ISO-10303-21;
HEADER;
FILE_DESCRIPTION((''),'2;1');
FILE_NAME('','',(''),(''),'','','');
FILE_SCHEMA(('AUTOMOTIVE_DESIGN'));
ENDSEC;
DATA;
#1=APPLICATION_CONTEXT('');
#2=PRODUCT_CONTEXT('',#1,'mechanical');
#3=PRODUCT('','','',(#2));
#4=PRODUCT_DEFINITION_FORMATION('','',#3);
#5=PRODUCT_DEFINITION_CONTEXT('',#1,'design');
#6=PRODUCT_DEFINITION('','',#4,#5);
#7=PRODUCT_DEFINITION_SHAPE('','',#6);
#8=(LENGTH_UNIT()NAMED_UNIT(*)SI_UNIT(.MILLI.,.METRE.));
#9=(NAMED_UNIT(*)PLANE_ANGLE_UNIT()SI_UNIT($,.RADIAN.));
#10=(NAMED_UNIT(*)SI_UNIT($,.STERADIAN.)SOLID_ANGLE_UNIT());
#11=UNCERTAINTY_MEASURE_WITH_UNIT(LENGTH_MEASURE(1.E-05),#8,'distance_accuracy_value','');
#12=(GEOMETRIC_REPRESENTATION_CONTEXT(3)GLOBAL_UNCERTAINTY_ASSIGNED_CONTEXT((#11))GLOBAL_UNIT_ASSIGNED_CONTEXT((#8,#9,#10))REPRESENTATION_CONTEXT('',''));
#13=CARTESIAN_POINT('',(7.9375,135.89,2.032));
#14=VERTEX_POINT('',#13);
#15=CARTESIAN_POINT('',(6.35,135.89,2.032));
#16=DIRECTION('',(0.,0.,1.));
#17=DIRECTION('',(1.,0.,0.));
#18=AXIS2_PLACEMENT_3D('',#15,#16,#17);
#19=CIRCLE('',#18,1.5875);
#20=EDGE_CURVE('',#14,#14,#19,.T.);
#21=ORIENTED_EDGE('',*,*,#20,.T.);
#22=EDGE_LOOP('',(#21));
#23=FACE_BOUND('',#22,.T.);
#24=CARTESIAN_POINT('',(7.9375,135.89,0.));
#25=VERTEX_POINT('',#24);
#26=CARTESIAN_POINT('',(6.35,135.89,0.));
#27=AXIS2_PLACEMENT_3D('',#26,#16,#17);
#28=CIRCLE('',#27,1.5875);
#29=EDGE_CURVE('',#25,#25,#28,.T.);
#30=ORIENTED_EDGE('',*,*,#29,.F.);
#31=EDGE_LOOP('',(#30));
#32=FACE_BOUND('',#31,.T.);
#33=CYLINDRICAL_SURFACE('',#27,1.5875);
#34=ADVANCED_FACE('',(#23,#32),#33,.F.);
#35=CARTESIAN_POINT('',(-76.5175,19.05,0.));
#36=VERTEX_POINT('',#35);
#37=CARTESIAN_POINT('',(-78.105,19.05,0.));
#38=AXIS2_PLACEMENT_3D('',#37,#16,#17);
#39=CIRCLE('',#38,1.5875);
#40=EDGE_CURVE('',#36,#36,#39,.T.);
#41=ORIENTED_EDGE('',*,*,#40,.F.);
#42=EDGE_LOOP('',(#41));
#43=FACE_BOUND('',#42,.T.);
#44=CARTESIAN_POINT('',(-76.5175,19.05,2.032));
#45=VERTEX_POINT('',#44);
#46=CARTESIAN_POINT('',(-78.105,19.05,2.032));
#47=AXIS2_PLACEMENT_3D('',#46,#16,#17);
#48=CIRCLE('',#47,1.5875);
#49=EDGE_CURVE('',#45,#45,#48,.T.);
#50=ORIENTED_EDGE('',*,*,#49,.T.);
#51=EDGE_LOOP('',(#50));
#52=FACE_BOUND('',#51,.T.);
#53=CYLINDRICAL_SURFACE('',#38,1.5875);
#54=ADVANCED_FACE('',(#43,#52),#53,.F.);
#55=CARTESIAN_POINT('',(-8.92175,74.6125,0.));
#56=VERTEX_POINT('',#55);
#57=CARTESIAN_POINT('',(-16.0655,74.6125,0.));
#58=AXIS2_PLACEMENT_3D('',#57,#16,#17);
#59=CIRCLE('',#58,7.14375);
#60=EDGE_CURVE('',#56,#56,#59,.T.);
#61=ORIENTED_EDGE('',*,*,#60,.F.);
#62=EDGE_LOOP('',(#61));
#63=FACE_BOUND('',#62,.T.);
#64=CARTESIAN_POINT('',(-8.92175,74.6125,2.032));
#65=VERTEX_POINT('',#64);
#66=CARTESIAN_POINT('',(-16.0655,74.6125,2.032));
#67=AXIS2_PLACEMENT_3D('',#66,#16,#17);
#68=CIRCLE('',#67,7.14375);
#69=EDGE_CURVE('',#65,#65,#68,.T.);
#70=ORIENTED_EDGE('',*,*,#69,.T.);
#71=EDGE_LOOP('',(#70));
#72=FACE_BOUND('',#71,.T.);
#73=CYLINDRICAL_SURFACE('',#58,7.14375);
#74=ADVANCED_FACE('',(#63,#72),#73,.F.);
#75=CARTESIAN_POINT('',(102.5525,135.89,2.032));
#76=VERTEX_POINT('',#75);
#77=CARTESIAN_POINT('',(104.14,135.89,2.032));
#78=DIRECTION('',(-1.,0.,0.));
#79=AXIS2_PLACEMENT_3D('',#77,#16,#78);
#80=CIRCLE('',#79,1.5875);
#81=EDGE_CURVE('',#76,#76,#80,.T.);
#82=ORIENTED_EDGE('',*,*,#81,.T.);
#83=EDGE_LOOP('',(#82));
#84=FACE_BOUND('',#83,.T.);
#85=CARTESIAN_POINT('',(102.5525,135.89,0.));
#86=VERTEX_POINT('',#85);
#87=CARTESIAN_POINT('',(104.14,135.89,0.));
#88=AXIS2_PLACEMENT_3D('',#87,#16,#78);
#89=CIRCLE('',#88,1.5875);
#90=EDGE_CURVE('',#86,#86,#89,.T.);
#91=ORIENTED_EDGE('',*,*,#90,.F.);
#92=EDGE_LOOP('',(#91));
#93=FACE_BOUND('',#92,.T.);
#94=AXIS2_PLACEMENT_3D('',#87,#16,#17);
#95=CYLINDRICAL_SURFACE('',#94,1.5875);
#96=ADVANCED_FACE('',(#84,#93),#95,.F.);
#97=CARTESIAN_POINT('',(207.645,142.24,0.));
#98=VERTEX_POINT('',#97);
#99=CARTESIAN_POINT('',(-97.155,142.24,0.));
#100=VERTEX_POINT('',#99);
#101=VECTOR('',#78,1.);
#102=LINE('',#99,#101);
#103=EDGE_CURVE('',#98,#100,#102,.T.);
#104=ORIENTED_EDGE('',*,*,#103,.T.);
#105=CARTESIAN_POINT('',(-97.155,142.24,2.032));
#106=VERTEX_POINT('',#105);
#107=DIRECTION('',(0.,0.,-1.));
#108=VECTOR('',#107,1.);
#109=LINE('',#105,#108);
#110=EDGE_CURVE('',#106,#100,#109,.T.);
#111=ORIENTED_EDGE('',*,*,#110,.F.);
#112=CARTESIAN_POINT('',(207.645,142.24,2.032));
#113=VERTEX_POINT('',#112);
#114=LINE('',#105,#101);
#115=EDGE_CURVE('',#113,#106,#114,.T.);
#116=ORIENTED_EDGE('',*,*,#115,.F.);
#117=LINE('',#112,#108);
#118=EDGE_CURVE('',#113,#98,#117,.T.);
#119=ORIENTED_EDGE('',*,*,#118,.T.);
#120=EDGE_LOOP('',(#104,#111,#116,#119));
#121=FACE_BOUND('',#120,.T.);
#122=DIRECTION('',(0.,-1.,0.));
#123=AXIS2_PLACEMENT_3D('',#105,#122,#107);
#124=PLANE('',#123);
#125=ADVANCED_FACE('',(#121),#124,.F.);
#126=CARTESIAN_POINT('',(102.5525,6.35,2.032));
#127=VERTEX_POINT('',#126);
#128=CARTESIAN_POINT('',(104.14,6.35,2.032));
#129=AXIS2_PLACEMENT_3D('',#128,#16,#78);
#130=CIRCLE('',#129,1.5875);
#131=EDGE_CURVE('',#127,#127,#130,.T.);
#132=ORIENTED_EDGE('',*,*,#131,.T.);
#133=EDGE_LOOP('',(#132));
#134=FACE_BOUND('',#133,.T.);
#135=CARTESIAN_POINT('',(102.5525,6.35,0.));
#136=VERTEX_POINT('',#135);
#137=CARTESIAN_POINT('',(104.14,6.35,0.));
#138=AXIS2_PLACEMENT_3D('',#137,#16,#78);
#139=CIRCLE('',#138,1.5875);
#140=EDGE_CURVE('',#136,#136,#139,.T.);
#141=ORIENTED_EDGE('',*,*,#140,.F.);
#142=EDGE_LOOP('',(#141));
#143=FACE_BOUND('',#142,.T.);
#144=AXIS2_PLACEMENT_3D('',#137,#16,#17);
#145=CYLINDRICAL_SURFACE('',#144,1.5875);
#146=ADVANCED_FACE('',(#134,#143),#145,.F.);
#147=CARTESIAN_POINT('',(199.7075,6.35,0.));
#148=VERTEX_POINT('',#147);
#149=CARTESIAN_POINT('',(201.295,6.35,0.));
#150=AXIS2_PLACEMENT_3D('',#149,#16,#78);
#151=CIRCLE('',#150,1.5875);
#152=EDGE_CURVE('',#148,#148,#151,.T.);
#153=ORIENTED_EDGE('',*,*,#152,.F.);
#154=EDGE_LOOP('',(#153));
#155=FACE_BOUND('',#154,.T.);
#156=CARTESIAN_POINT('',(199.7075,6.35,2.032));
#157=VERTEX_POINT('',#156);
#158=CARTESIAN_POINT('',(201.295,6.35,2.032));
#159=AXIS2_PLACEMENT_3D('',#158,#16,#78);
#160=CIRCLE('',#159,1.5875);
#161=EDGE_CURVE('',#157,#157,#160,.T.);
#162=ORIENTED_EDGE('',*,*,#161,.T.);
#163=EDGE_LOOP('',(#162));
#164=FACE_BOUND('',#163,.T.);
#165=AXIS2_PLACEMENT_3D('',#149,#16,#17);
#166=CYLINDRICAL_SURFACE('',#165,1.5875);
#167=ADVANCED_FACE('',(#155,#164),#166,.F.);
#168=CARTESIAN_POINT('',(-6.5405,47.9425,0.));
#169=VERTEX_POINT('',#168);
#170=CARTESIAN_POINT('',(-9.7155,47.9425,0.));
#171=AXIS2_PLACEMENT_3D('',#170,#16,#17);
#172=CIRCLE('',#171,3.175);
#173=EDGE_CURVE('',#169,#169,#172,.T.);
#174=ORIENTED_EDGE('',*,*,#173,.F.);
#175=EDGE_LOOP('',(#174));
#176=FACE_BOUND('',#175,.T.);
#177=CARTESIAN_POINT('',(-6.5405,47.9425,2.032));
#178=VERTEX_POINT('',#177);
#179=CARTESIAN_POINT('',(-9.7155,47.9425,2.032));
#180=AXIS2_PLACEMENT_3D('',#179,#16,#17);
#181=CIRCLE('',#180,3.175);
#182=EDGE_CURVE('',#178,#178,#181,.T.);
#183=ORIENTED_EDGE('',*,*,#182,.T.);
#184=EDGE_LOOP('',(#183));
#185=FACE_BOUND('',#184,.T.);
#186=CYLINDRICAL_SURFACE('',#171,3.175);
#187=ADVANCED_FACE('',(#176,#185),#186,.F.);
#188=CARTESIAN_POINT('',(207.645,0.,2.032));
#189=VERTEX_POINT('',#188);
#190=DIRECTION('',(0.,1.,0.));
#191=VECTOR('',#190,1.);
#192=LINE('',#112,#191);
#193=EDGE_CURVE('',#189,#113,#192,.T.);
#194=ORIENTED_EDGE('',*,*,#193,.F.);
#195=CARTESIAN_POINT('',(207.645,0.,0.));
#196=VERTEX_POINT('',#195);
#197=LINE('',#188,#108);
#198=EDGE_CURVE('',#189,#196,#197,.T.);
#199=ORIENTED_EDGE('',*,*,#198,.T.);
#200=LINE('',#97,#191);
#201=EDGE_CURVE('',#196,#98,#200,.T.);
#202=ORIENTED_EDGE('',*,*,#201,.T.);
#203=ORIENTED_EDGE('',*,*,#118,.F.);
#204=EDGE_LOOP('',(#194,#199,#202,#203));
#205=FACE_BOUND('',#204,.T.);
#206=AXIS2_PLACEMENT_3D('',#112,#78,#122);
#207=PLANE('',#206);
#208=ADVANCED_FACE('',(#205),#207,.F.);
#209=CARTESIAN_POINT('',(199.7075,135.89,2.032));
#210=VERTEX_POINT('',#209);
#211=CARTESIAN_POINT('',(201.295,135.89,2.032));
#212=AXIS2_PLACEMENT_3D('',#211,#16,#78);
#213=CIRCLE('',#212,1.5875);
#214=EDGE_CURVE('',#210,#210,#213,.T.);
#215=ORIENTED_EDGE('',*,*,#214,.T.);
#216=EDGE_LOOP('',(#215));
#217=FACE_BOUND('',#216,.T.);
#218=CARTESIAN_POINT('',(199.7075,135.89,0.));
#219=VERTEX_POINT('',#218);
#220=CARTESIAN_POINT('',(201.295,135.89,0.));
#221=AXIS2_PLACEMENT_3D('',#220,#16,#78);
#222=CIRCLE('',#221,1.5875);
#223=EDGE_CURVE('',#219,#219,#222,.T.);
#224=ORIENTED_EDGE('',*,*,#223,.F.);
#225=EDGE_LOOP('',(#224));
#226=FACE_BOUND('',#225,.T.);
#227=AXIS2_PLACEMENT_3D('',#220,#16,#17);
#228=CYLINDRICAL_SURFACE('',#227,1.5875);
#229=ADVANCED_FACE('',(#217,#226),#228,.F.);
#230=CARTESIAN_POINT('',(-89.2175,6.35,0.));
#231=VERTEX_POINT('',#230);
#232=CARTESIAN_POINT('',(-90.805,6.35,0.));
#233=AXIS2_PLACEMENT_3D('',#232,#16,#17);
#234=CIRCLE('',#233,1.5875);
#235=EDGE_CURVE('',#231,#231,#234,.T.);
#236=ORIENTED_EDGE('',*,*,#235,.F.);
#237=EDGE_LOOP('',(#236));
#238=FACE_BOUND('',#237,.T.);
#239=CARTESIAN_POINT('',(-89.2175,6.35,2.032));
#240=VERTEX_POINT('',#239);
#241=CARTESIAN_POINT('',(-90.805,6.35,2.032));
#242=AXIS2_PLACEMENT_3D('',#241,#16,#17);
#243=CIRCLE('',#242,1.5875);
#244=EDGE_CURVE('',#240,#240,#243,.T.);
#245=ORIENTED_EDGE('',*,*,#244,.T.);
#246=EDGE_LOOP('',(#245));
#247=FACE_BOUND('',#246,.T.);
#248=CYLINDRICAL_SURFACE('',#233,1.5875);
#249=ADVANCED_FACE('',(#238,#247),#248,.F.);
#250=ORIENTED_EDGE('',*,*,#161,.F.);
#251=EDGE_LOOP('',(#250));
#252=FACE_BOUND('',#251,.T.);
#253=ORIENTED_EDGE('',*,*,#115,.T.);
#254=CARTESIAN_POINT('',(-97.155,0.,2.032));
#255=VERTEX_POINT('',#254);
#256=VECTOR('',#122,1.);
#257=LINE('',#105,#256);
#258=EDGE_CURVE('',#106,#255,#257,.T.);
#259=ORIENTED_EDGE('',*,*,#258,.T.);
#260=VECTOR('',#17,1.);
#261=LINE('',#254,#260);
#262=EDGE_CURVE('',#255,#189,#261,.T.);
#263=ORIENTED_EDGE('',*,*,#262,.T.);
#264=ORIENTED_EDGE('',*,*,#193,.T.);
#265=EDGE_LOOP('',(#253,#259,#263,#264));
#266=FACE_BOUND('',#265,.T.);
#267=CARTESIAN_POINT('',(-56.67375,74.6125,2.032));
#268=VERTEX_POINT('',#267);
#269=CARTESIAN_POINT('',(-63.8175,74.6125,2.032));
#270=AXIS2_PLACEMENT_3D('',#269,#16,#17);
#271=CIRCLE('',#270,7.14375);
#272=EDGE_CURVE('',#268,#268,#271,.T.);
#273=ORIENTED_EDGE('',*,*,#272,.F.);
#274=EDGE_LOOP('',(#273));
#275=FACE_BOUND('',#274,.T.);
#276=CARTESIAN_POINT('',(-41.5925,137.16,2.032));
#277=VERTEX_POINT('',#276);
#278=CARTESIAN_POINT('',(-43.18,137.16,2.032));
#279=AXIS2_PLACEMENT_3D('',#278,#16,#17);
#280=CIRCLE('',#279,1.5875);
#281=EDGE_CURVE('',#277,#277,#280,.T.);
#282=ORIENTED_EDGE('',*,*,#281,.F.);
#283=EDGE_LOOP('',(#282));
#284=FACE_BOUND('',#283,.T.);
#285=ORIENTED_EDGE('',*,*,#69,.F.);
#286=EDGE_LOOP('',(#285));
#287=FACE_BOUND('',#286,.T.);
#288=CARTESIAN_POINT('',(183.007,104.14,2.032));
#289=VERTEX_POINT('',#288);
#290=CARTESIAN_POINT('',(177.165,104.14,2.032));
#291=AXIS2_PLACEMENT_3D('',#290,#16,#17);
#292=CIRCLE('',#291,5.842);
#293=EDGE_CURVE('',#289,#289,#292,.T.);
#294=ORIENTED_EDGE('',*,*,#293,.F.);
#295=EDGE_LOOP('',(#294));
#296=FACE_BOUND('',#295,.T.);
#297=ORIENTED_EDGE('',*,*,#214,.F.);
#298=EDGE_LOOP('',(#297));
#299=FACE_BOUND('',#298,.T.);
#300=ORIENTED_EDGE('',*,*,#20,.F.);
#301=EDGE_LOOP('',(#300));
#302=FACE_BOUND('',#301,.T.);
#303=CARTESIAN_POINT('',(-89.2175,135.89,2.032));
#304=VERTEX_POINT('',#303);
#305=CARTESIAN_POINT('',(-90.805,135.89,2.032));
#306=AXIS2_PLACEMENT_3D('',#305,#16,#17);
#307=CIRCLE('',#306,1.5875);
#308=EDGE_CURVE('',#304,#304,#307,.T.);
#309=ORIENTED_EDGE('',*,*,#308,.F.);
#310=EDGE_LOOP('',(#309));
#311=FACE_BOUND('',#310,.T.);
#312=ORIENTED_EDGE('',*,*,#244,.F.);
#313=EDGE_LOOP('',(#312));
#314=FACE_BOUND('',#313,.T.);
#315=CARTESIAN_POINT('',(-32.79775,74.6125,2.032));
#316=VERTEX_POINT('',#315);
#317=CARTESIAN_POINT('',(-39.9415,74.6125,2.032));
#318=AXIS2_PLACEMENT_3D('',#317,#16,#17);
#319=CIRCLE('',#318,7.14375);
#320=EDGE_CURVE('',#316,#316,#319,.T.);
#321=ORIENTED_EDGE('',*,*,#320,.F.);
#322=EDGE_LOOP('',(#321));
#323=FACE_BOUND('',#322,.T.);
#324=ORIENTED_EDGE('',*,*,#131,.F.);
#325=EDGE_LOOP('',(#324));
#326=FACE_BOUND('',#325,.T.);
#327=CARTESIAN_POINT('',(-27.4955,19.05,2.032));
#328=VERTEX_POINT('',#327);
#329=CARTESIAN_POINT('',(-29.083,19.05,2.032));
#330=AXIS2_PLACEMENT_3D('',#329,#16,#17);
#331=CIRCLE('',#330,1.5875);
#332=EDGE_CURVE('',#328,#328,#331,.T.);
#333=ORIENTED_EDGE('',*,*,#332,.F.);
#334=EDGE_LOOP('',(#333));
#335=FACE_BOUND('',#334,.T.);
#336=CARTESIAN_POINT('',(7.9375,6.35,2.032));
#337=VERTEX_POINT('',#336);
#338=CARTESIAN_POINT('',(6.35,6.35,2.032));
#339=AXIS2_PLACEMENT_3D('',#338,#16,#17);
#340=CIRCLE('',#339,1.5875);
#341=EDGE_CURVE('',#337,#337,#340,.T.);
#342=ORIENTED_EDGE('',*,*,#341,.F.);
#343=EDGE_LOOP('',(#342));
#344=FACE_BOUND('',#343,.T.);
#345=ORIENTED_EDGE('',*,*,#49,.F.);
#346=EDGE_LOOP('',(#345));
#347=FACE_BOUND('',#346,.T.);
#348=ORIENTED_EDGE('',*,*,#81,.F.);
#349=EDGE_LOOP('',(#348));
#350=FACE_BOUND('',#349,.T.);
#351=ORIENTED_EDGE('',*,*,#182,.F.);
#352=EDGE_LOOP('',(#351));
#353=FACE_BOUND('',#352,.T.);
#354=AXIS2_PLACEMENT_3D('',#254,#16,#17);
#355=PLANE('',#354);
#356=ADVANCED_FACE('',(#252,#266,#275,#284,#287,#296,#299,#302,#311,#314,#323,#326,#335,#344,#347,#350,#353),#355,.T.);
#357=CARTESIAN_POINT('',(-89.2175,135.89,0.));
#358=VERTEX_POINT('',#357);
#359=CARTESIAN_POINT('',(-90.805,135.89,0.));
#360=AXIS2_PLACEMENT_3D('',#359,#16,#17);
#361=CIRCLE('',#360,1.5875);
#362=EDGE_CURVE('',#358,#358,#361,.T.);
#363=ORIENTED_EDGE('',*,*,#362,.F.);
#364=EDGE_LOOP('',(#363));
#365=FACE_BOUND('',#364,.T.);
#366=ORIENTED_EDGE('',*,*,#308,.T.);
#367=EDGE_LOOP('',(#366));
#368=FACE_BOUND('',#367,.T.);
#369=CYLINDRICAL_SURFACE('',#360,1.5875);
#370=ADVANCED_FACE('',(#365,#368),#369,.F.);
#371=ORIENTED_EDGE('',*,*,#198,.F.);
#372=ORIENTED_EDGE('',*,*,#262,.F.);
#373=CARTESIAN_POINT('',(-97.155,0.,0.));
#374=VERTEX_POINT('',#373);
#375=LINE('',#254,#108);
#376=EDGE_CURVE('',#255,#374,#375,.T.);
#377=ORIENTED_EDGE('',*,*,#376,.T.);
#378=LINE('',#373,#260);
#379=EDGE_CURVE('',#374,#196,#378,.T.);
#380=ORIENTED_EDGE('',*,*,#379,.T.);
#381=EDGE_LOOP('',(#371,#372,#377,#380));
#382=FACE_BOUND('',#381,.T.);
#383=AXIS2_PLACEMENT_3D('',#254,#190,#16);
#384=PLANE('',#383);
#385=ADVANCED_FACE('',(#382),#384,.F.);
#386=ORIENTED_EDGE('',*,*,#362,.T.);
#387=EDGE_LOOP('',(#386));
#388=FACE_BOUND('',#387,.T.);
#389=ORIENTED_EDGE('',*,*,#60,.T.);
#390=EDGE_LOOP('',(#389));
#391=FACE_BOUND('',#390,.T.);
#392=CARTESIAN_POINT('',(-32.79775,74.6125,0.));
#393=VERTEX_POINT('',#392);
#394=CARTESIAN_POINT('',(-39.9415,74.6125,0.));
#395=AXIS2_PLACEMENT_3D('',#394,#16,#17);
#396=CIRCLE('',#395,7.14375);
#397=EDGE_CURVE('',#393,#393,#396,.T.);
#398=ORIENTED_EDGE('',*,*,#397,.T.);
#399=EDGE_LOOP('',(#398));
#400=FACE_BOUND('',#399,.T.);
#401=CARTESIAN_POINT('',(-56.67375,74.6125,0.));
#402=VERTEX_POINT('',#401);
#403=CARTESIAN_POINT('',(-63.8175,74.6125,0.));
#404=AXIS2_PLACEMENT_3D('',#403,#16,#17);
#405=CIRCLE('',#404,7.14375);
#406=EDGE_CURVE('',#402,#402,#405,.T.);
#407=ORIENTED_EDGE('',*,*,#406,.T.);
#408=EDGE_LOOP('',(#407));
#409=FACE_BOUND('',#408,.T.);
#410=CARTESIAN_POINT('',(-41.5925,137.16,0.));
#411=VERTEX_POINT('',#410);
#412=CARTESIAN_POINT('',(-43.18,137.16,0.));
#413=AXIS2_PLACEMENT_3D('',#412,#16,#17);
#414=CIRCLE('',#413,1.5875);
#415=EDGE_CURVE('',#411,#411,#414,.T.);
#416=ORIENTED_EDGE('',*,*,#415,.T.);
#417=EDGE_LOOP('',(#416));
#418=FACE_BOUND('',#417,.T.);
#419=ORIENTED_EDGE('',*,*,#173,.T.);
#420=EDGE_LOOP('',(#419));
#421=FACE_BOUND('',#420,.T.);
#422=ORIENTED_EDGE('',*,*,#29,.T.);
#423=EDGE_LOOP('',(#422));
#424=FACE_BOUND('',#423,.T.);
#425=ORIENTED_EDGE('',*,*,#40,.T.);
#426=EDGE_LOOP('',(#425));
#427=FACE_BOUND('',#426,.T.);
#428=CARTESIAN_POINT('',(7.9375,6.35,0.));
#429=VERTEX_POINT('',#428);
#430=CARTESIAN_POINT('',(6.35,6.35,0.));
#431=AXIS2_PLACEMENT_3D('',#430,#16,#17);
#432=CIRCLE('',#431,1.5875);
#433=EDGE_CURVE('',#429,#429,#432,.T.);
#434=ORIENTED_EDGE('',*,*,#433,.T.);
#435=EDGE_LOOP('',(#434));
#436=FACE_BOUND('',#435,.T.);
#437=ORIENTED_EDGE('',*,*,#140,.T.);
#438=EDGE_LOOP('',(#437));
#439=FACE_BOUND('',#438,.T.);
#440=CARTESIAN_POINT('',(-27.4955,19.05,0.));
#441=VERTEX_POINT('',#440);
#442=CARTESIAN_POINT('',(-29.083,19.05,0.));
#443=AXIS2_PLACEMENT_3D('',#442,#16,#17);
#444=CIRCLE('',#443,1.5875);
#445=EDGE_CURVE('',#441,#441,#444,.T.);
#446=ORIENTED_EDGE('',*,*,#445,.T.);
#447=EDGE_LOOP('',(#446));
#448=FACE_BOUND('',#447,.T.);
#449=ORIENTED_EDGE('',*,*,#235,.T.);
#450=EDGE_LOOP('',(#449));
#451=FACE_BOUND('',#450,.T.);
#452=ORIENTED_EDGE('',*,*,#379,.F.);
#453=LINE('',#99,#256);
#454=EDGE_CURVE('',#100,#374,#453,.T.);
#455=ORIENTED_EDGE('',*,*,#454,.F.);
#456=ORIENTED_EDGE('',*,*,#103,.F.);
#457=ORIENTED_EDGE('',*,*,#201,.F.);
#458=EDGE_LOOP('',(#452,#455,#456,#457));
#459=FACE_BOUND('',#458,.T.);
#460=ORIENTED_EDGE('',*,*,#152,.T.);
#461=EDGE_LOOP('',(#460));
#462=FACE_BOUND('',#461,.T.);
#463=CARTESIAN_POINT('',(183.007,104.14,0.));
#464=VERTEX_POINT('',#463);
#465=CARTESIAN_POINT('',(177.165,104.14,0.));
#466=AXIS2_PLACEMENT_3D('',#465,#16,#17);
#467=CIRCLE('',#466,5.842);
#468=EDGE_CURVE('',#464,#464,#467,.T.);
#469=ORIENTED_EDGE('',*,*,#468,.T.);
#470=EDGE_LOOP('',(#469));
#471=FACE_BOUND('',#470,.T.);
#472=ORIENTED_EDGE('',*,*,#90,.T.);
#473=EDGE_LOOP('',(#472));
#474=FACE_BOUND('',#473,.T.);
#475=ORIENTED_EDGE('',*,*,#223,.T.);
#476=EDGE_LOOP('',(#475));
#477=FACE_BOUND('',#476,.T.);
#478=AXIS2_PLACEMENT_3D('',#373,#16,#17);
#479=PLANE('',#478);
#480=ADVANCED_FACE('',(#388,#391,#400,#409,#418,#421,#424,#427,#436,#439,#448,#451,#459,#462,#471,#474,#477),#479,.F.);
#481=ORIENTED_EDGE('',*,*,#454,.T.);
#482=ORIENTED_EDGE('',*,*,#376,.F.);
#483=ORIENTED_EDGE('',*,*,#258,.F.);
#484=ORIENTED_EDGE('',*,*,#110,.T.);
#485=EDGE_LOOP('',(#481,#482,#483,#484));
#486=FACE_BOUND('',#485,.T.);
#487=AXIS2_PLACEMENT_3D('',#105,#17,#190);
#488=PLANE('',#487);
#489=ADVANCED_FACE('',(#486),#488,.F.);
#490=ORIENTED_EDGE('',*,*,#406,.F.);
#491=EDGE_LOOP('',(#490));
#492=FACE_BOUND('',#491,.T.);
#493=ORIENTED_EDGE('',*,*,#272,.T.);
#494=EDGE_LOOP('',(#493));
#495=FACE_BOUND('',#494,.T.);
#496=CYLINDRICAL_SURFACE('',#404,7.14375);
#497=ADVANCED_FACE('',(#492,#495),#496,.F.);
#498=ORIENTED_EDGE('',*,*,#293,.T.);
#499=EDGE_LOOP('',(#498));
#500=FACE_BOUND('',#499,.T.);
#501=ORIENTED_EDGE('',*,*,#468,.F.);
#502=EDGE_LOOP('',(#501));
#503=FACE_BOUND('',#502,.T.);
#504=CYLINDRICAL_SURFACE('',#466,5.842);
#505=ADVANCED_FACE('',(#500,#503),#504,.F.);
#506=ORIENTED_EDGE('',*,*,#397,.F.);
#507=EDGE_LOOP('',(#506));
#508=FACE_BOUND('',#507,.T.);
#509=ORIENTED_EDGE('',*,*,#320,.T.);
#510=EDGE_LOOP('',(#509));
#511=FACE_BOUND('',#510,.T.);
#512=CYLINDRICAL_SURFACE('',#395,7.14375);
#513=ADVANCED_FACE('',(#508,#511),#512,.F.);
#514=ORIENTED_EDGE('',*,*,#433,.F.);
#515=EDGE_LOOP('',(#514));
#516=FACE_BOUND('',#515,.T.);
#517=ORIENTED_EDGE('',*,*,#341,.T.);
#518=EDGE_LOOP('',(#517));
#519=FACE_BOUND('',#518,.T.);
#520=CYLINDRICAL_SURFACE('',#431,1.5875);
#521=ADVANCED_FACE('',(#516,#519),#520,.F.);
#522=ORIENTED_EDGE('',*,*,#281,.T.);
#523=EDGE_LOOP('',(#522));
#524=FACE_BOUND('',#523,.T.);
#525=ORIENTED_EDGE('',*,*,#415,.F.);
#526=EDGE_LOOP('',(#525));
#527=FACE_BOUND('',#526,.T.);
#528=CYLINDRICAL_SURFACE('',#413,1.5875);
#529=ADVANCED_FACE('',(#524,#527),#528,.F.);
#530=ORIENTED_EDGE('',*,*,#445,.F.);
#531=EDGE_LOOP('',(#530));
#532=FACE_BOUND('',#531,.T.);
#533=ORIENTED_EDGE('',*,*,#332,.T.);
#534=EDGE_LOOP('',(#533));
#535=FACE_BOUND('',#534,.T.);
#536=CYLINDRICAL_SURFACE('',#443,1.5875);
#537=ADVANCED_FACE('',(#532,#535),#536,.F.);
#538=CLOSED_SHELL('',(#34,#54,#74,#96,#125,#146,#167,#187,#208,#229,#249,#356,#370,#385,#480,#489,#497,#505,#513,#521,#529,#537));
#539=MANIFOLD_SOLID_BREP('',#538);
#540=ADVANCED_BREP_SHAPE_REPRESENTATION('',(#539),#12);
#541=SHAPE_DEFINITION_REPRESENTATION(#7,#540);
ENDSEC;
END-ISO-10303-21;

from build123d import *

# Parameters (mm, degrees)
SKETCH1_W          = 304.8
SKETCH1_H          = 142.24
EXTRUDE1_DEPTH     = 2.032
SKETCH3_R          = 1.5875
CUT_EXTRUDE1_DEPTH = 252.699806613
SKETCH4_R          = 7.14375
SKETCH4_R_2        = 1.5875
SKETCH4_R_3        = 3.175
SKETCH4_R_4        = 5.842
EXTRUDE2_DEPTH     = 252.699806613


with BuildPart() as part:
    # Sketch1 → Extrude1 (new body)
    with BuildSketch(Plane.XY):
        with Locations((55.245, 71.12)):
            Rectangle(SKETCH1_W, SKETCH1_H)
    extrude(amount=EXTRUDE1_DEPTH)

    # Sketch3 → Cut-Extrude1 (cut, through all)
    with BuildSketch(Plane.XY.offset(2.032)):
        with Locations((-90.805, 135.89)):
            Circle(SKETCH3_R)
        with Locations((-90.805, 6.35)):
            Circle(SKETCH3_R)
        with Locations((6.35, 135.89)):
            Circle(SKETCH3_R)
        with Locations((6.35, 6.35)):
            Circle(SKETCH3_R)
        with Locations(Location((104.14, 6.35, 0), (0, 0, 180))):
            Circle(SKETCH3_R)
        with Locations(Location((104.14, 135.89, 0), (0, 0, 180))):
            Circle(SKETCH3_R)
        with Locations(Location((201.295, 6.35, 0), (0, 0, 180))):
            Circle(SKETCH3_R)
        with Locations(Location((201.295, 135.89, 0), (0, 0, 180))):
            Circle(SKETCH3_R)
    extrude(amount=-CUT_EXTRUDE1_DEPTH, mode=Mode.SUBTRACT)

    # Sketch4 → Extrude2 (cut, through all)
    with BuildSketch(Plane.XY.offset(2.032)):
        with Locations((-63.8175, 74.6125)):
            Circle(SKETCH4_R)
        with Locations((-39.9415, 74.6125)):
            Circle(SKETCH4_R)
        with Locations((-16.0655, 74.6125)):
            Circle(SKETCH4_R)
        with Locations((-43.18, 137.16)):
            Circle(SKETCH4_R_2)
        with Locations((-9.7155, 47.9425)):
            Circle(SKETCH4_R_3)
        with Locations((-78.105, 19.05)):
            Circle(SKETCH4_R_2)
        with Locations((-29.083, 19.05)):
            Circle(SKETCH4_R_2)
        with Locations((177.165, 104.14)):
            Circle(SKETCH4_R_4)
    extrude(amount=-EXTRUDE2_DEPTH, mode=Mode.SUBTRACT)


solid = part.part
